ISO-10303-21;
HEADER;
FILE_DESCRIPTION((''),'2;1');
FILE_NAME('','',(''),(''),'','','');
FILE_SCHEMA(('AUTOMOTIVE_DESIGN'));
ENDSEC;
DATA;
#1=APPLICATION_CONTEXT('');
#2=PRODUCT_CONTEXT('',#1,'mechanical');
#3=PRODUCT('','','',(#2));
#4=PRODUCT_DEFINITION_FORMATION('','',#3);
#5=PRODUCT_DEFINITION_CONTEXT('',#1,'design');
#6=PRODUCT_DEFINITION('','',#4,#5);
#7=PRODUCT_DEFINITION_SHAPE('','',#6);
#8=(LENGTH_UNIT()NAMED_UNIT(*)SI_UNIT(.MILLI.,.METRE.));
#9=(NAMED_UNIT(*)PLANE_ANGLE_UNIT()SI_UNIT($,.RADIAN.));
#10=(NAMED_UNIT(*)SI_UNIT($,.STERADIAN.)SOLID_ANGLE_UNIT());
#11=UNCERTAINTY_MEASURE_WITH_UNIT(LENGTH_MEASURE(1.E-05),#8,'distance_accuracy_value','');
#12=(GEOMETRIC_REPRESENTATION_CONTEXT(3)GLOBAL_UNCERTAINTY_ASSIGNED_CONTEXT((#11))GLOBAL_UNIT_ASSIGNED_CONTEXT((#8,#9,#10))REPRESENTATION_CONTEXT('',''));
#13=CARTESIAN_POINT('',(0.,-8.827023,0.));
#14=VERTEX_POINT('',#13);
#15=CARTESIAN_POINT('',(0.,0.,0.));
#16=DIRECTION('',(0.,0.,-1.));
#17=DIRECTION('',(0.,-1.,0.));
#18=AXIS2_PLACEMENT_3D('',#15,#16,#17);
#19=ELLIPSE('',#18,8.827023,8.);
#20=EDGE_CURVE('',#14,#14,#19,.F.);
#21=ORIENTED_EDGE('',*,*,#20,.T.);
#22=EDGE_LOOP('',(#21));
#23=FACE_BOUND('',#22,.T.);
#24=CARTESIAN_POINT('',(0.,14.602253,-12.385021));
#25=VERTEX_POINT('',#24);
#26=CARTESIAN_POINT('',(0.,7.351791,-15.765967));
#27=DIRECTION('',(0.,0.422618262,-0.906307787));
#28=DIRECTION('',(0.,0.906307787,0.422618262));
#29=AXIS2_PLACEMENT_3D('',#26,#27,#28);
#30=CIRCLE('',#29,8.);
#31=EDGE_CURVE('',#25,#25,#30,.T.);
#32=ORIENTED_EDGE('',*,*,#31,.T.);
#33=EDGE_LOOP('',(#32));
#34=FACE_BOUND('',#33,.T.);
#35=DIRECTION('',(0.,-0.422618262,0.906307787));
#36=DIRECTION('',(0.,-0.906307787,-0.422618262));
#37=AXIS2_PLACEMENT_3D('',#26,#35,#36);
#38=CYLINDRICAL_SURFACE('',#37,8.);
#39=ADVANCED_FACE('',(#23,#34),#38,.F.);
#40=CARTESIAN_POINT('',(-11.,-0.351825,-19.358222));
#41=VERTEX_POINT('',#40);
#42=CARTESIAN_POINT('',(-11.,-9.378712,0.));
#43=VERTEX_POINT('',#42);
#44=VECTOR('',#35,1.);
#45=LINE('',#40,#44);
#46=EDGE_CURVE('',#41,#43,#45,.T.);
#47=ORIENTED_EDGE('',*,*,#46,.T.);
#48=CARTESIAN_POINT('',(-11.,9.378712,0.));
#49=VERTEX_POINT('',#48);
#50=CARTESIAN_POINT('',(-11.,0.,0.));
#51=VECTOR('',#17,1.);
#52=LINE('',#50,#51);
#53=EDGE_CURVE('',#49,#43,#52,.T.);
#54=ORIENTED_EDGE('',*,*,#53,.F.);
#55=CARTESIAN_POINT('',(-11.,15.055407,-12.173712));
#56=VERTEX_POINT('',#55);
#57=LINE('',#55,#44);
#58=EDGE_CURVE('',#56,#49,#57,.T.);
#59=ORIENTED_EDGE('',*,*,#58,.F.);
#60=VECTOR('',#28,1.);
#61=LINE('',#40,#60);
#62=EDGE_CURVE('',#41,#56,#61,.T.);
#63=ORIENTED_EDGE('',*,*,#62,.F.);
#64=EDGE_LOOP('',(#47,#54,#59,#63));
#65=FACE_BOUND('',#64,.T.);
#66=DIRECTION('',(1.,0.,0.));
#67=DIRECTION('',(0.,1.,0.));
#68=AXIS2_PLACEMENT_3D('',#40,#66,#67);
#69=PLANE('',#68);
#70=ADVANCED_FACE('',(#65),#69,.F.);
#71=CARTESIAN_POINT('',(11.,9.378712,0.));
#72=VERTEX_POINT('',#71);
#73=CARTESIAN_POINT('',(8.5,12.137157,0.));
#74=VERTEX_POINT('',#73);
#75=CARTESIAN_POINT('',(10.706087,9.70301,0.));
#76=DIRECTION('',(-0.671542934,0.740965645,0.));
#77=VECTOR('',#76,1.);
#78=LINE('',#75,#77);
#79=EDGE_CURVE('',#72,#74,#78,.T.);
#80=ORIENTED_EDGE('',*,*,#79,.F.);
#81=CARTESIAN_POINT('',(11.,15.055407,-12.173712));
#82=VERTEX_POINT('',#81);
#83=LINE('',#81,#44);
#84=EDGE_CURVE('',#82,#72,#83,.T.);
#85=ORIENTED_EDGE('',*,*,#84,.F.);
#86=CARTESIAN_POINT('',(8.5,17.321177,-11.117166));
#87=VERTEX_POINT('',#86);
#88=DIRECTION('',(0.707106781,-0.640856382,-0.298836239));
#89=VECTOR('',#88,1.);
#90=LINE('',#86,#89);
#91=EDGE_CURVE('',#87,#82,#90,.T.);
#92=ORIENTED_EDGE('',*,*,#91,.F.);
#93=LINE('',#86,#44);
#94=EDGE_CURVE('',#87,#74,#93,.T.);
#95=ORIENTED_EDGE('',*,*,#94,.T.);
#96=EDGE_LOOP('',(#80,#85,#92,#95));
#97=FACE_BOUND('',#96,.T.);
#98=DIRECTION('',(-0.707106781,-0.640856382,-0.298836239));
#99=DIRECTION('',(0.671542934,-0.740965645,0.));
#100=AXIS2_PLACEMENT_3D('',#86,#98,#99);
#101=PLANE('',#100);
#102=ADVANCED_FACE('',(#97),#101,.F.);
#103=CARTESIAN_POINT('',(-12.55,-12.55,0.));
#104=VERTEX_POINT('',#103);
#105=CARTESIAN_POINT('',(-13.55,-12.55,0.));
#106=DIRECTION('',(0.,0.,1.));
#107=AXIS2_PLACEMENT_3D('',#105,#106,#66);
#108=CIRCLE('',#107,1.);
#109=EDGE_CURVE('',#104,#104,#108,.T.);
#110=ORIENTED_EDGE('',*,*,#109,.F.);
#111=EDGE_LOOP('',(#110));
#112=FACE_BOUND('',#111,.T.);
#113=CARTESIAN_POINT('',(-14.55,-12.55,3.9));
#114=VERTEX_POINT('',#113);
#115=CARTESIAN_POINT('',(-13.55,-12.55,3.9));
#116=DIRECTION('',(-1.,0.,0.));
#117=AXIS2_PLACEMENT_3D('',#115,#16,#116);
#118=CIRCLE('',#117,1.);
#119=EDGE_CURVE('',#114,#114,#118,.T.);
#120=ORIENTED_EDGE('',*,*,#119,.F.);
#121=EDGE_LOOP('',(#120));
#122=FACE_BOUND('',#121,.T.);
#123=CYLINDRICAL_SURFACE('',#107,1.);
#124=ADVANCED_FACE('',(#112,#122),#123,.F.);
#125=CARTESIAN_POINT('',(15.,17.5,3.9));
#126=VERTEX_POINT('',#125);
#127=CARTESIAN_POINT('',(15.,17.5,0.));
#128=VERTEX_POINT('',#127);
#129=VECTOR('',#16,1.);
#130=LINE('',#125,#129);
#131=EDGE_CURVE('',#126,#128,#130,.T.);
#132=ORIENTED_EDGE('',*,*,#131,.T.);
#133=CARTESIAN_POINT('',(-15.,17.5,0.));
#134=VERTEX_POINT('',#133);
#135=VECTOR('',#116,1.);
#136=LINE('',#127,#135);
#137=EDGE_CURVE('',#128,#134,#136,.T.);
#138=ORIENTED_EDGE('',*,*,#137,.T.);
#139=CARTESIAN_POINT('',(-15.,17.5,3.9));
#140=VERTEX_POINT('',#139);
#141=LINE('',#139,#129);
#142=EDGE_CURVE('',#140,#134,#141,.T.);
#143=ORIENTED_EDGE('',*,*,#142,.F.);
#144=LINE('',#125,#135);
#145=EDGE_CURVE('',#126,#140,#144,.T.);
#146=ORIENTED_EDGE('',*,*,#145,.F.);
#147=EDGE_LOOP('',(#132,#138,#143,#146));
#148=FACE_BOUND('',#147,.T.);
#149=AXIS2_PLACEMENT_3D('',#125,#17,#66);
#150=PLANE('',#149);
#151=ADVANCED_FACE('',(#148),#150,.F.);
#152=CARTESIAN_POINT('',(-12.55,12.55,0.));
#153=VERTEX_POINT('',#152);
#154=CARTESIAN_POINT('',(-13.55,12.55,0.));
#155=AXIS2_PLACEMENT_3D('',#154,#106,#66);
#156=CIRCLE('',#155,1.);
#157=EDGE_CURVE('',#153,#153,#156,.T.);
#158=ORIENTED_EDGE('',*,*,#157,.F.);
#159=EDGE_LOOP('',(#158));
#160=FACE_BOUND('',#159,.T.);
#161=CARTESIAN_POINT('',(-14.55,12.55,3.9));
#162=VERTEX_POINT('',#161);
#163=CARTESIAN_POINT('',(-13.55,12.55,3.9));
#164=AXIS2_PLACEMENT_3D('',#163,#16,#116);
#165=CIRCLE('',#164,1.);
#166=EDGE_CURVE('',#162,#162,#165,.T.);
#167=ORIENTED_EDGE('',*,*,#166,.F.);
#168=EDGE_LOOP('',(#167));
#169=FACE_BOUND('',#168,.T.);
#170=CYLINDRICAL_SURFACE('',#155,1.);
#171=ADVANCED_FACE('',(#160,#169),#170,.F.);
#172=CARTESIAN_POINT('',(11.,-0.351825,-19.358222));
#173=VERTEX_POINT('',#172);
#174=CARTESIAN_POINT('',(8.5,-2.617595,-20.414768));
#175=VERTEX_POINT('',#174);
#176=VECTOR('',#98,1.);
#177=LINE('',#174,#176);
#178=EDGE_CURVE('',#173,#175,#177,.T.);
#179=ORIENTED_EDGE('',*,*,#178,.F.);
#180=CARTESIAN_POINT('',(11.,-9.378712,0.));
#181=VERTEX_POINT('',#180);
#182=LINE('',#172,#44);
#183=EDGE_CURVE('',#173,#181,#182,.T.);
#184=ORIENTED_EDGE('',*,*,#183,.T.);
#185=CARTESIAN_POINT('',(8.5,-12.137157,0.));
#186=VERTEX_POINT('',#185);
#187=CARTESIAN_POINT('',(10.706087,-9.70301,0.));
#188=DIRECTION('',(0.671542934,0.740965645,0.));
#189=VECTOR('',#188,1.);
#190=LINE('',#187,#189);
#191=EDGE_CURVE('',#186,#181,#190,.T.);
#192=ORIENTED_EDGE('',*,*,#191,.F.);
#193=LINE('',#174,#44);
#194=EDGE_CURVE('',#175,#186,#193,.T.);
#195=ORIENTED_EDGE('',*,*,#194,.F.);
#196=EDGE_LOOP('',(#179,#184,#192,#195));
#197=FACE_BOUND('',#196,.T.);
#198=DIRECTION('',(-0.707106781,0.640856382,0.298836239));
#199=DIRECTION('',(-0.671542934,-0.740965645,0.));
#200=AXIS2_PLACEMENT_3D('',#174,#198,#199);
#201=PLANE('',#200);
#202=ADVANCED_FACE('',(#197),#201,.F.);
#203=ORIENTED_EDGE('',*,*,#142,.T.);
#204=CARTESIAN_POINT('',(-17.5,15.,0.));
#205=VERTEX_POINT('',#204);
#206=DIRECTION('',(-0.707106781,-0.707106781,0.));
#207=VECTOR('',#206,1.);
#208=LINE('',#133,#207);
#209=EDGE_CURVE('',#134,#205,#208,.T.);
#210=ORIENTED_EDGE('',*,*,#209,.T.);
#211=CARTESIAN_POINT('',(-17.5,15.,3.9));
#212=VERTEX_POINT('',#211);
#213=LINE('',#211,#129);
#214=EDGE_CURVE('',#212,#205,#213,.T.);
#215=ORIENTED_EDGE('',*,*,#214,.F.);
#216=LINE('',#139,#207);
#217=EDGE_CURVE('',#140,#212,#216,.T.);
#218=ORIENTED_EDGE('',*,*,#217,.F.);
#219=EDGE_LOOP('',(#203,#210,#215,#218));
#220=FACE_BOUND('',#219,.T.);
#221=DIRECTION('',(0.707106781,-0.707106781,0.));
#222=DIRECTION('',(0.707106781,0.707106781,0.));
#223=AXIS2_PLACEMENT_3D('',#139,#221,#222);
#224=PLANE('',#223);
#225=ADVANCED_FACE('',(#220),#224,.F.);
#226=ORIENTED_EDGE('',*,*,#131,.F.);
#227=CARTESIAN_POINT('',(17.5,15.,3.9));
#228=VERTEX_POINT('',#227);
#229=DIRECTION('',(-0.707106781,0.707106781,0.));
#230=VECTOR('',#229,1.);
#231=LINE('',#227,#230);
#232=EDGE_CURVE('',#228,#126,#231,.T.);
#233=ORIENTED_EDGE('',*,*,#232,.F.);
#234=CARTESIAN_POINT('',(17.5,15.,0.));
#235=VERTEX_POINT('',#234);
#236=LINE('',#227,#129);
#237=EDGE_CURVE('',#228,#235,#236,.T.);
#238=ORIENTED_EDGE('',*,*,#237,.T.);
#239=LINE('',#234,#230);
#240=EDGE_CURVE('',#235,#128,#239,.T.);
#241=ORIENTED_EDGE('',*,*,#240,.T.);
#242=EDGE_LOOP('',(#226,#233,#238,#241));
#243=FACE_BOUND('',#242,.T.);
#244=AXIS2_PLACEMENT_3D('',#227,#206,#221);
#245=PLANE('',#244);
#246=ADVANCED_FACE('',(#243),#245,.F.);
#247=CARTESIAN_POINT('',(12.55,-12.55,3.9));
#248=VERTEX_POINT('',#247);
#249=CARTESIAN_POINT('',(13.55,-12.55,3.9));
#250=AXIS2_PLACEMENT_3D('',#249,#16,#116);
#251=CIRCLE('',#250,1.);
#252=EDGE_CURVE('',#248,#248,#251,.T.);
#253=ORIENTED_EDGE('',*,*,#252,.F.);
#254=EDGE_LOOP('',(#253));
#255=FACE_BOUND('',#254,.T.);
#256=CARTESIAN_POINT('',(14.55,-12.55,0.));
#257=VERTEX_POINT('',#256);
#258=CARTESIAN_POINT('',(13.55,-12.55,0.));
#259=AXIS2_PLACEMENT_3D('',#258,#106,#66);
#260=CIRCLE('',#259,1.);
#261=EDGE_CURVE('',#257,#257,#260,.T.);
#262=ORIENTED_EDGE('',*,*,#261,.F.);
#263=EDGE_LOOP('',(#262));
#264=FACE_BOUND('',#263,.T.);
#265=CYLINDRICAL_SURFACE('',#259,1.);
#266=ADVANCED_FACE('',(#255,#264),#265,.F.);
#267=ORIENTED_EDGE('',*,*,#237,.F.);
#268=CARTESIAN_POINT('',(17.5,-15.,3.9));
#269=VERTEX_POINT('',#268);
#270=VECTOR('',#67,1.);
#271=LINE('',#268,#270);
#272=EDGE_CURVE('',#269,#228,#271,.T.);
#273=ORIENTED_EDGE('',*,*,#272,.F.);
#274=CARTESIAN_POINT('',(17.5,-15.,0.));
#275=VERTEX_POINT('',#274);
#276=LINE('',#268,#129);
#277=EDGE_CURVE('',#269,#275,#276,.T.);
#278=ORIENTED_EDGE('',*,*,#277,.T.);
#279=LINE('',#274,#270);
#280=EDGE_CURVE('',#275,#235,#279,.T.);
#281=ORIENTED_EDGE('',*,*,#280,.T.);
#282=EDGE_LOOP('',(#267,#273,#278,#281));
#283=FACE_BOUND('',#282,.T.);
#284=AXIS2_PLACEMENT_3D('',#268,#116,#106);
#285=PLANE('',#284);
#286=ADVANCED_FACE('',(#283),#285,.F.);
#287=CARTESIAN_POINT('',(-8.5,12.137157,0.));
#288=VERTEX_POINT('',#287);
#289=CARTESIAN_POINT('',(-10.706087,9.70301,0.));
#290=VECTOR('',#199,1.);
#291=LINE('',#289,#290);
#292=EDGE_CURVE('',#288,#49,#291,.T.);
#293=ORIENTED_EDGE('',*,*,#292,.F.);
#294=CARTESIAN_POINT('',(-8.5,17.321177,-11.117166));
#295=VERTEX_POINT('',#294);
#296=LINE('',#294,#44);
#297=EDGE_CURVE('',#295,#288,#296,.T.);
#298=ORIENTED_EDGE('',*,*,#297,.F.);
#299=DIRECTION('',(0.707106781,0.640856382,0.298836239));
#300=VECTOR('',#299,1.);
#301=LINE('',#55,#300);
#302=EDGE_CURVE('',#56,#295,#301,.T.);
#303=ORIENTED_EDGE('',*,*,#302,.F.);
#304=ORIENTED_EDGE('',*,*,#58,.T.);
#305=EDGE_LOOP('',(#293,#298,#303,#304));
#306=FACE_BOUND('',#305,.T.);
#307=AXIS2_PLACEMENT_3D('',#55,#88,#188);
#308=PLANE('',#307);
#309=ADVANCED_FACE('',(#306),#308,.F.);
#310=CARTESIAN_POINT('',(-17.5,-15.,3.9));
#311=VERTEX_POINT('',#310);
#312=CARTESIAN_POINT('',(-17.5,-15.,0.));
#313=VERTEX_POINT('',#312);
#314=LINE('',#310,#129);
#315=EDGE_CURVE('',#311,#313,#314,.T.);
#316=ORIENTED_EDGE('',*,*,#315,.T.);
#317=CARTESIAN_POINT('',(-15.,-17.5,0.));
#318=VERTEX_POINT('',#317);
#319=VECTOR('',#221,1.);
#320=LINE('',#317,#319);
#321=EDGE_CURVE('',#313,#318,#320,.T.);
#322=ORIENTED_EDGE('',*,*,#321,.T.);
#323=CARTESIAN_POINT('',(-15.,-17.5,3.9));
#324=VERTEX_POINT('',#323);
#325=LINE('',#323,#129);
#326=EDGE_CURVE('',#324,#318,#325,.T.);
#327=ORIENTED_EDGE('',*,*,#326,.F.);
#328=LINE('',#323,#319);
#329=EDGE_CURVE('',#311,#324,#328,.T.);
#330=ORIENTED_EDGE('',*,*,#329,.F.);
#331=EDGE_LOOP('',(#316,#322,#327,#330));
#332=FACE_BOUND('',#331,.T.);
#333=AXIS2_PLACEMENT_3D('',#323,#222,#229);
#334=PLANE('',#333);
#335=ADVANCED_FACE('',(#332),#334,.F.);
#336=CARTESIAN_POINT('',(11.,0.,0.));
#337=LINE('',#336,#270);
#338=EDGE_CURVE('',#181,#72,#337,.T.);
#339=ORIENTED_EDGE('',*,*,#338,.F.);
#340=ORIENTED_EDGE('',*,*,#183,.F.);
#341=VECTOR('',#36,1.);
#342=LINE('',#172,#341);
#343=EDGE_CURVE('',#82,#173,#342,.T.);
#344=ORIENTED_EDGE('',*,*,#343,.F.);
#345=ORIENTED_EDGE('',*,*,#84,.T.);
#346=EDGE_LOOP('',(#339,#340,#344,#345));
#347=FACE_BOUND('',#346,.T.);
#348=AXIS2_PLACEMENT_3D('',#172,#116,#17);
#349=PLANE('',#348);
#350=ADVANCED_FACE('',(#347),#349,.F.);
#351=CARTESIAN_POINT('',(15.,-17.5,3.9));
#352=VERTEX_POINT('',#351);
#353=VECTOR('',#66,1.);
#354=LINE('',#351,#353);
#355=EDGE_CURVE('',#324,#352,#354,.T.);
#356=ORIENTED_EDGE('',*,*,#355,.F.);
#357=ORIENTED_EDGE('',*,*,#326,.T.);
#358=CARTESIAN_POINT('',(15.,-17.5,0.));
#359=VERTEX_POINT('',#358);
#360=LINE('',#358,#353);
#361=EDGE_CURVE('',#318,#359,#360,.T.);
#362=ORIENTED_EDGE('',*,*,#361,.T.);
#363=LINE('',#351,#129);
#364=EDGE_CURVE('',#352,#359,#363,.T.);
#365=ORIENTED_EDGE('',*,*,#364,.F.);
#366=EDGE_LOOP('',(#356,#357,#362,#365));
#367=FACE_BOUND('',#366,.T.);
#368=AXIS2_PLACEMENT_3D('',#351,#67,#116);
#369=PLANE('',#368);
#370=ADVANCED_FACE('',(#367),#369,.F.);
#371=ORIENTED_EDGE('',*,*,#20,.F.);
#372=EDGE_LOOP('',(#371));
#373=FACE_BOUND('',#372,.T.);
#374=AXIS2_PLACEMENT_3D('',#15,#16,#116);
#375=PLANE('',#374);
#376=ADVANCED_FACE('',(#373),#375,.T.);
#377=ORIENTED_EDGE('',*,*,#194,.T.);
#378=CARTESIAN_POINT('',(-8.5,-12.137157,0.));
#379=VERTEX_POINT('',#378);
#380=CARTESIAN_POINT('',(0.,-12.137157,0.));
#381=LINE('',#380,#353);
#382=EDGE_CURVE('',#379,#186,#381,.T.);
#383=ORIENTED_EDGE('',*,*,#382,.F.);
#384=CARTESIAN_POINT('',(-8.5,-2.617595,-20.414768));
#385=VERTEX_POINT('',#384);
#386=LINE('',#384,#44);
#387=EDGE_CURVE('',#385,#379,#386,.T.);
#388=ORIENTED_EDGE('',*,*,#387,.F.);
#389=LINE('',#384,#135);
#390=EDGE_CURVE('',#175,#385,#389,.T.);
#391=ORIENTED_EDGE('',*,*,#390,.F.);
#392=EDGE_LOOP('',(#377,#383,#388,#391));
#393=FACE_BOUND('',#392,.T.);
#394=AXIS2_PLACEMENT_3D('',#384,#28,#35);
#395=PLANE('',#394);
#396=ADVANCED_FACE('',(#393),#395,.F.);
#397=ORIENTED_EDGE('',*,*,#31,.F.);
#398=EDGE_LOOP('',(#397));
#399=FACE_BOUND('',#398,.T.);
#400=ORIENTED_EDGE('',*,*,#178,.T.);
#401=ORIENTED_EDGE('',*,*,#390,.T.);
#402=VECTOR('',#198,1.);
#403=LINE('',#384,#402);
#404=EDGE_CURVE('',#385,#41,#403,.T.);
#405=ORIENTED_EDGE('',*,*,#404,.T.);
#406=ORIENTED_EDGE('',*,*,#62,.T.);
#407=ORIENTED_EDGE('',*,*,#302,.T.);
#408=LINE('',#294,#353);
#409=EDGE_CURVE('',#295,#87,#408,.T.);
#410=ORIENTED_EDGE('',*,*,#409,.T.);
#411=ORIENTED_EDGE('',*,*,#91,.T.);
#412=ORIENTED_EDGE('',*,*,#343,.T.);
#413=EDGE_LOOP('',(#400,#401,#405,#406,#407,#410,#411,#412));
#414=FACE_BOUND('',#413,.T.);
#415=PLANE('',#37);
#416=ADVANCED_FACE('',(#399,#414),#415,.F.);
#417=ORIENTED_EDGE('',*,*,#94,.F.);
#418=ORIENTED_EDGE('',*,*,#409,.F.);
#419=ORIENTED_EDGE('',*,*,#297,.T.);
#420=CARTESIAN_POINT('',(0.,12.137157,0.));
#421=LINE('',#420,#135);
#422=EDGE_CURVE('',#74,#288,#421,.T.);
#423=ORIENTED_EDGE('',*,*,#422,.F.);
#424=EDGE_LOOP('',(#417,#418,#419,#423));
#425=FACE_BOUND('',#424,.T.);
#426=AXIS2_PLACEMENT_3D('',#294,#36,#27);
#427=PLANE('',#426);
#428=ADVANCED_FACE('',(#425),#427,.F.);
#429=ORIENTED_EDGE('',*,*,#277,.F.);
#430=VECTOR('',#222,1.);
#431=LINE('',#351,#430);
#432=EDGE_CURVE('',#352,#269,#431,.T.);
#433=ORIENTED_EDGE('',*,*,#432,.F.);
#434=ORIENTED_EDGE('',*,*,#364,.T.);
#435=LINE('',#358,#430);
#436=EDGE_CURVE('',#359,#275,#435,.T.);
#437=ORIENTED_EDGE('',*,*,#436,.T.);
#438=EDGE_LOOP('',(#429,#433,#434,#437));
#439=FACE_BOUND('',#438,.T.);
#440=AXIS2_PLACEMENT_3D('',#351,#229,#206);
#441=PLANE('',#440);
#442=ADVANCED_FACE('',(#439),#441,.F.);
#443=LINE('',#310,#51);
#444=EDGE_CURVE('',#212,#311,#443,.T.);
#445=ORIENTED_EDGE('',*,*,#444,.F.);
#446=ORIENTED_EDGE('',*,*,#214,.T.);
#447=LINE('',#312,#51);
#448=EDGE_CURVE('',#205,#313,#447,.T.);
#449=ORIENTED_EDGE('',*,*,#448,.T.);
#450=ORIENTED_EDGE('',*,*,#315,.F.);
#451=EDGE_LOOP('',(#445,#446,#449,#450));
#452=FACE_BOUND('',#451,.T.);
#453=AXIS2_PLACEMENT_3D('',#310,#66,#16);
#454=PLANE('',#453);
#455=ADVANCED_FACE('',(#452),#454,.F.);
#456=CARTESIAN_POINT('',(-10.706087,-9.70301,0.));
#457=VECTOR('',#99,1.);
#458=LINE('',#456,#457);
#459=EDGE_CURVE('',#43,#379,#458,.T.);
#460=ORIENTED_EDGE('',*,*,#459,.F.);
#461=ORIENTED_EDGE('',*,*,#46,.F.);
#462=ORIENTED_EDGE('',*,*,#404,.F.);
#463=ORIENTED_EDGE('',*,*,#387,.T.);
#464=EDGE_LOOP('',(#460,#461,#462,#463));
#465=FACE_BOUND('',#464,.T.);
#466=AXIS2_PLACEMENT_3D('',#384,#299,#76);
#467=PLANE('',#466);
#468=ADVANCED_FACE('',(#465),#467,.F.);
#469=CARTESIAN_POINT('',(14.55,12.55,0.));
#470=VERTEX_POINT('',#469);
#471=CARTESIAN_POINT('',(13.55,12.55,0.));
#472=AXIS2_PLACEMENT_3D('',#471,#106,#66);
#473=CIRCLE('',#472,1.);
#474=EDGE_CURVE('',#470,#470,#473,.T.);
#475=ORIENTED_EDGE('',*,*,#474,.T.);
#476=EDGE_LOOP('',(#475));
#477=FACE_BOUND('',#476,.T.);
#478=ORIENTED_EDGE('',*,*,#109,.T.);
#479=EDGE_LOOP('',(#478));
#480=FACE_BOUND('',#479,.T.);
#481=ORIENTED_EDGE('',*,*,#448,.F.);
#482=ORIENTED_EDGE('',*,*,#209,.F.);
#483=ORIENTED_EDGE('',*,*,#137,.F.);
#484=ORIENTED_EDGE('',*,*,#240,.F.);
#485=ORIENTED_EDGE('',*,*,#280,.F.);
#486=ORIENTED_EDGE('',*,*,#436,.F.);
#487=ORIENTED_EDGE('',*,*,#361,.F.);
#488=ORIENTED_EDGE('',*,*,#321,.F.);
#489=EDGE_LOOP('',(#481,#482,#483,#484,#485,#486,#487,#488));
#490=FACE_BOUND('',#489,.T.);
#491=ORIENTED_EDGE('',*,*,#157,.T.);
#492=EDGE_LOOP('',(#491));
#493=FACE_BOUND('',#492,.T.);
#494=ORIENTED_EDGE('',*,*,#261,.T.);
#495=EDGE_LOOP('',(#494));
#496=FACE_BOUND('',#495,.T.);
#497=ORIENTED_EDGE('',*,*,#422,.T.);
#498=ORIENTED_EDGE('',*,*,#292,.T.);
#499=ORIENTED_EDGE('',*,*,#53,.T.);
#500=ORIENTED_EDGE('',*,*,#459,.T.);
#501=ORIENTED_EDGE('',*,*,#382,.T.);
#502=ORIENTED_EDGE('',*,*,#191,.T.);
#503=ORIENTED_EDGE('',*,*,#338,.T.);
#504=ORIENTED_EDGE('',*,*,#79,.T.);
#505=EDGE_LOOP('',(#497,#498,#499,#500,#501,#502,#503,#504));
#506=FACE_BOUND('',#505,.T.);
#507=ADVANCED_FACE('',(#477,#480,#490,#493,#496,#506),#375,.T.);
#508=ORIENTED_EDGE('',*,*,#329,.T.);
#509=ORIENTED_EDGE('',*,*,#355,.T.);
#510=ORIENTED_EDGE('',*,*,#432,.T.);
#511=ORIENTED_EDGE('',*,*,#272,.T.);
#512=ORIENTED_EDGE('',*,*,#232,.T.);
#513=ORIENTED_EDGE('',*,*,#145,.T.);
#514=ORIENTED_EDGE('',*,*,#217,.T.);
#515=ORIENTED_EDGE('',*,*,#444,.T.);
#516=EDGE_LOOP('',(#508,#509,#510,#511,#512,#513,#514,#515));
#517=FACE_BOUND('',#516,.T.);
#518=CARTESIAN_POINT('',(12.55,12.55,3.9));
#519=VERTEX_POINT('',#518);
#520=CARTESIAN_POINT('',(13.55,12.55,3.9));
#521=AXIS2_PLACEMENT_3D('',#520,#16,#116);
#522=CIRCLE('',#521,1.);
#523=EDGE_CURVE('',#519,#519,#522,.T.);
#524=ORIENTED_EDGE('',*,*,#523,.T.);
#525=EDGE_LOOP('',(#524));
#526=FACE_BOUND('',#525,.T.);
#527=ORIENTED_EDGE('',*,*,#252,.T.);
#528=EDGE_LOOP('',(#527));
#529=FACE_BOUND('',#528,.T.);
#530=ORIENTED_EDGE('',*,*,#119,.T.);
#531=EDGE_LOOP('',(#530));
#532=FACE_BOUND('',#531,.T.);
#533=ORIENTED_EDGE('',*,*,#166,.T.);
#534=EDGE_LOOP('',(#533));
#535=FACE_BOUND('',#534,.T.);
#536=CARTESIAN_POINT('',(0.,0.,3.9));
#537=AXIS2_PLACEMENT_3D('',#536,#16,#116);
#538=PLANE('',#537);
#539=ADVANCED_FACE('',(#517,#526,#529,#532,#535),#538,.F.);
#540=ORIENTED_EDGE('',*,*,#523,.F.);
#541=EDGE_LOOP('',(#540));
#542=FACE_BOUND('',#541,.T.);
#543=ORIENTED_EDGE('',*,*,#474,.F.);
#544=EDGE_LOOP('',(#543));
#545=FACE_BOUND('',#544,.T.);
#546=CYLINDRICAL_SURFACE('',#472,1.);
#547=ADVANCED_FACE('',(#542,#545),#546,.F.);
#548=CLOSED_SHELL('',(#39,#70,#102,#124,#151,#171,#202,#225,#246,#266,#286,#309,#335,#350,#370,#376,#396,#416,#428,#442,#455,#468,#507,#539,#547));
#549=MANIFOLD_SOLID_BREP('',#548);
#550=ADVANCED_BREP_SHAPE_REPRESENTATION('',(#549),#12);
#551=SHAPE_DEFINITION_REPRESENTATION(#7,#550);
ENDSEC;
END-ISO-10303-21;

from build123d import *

# Parameters (mm, degrees)
BOSS_EXTRUDE1_DEPTH       = 3.9
SKETCH2_R                 = 1
CUT_EXTRUDE3_DEPTH        = 29.385031266
BOSS_EXTRUDE11_DEPTH      = 10
BOSS_EXTRUDE11_DEPTH_BACK = 15
SKETCH161_R               = 8
CUT_EXTRUDE5_DEPTH        = 10


with BuildPart() as part:
    # Sketch1 → Boss-Extrude1 (new body)
    with BuildSketch(Plane.XY):
        Polygon((17.5, 15), (15, 17.5), (-15, 17.5), (-17.5, 15), (-17.5, -15), (-15, -17.5), (15, -17.5), (17.5, -15), align=None)
    extrude(amount=BOSS_EXTRUDE1_DEPTH)

    # Sketch2 → Cut-Extrude3 (cut, through all)
    with BuildSketch(Plane.XY.offset(13.9)):
        with Locations((-13.55, 12.55)):
            Circle(SKETCH2_R)
        with Locations((-13.55, -12.55)):
            Circle(SKETCH2_R)
        with Locations((13.55, 12.55)):
            Circle(SKETCH2_R)
        with Locations((13.55, -12.55)):
            Circle(SKETCH2_R)
    extrude(amount=-CUT_EXTRUDE3_DEPTH, mode=Mode.SUBTRACT)

    # Sketch161 → Boss-Extrude11 (add, two sides: drawn at the far end of the back side and taken through both)
    with BuildSketch(Plane(origin=(0, 3.125608415, -6.702888877), x_dir=(-1, 0, 0), z_dir=(0, 0.42261826174068795, -0.9063077870366554)).offset(-BOSS_EXTRUDE11_DEPTH_BACK)):
        Polygon((-8.5, 11), (-11, 8.5), (-11, -8.5), (-8.5, -11), (8.5, -11), (11, -8.5), (11, 8.5), (8.5, 11), align=None)
        with Locations(Location((0, 0, 0), (0, 0, 270))):
            Circle(SKETCH161_R, mode=Mode.SUBTRACT)
    extrude(amount=BOSS_EXTRUDE11_DEPTH + BOSS_EXTRUDE11_DEPTH_BACK)

    # Sketch162 → Cut-Extrude5 (cut)
    with BuildSketch(Plane.XY.offset(13.9)):
        Polygon((-17.5, 15), (-15, 17.5), (15, 17.5), (17.5, 15), (17.5, -15), (15, -17.5), (-15, -17.5), (-17.5, -15), align=None)
    extrude(amount=-CUT_EXTRUDE5_DEPTH, mode=Mode.SUBTRACT)


solid = part.part
